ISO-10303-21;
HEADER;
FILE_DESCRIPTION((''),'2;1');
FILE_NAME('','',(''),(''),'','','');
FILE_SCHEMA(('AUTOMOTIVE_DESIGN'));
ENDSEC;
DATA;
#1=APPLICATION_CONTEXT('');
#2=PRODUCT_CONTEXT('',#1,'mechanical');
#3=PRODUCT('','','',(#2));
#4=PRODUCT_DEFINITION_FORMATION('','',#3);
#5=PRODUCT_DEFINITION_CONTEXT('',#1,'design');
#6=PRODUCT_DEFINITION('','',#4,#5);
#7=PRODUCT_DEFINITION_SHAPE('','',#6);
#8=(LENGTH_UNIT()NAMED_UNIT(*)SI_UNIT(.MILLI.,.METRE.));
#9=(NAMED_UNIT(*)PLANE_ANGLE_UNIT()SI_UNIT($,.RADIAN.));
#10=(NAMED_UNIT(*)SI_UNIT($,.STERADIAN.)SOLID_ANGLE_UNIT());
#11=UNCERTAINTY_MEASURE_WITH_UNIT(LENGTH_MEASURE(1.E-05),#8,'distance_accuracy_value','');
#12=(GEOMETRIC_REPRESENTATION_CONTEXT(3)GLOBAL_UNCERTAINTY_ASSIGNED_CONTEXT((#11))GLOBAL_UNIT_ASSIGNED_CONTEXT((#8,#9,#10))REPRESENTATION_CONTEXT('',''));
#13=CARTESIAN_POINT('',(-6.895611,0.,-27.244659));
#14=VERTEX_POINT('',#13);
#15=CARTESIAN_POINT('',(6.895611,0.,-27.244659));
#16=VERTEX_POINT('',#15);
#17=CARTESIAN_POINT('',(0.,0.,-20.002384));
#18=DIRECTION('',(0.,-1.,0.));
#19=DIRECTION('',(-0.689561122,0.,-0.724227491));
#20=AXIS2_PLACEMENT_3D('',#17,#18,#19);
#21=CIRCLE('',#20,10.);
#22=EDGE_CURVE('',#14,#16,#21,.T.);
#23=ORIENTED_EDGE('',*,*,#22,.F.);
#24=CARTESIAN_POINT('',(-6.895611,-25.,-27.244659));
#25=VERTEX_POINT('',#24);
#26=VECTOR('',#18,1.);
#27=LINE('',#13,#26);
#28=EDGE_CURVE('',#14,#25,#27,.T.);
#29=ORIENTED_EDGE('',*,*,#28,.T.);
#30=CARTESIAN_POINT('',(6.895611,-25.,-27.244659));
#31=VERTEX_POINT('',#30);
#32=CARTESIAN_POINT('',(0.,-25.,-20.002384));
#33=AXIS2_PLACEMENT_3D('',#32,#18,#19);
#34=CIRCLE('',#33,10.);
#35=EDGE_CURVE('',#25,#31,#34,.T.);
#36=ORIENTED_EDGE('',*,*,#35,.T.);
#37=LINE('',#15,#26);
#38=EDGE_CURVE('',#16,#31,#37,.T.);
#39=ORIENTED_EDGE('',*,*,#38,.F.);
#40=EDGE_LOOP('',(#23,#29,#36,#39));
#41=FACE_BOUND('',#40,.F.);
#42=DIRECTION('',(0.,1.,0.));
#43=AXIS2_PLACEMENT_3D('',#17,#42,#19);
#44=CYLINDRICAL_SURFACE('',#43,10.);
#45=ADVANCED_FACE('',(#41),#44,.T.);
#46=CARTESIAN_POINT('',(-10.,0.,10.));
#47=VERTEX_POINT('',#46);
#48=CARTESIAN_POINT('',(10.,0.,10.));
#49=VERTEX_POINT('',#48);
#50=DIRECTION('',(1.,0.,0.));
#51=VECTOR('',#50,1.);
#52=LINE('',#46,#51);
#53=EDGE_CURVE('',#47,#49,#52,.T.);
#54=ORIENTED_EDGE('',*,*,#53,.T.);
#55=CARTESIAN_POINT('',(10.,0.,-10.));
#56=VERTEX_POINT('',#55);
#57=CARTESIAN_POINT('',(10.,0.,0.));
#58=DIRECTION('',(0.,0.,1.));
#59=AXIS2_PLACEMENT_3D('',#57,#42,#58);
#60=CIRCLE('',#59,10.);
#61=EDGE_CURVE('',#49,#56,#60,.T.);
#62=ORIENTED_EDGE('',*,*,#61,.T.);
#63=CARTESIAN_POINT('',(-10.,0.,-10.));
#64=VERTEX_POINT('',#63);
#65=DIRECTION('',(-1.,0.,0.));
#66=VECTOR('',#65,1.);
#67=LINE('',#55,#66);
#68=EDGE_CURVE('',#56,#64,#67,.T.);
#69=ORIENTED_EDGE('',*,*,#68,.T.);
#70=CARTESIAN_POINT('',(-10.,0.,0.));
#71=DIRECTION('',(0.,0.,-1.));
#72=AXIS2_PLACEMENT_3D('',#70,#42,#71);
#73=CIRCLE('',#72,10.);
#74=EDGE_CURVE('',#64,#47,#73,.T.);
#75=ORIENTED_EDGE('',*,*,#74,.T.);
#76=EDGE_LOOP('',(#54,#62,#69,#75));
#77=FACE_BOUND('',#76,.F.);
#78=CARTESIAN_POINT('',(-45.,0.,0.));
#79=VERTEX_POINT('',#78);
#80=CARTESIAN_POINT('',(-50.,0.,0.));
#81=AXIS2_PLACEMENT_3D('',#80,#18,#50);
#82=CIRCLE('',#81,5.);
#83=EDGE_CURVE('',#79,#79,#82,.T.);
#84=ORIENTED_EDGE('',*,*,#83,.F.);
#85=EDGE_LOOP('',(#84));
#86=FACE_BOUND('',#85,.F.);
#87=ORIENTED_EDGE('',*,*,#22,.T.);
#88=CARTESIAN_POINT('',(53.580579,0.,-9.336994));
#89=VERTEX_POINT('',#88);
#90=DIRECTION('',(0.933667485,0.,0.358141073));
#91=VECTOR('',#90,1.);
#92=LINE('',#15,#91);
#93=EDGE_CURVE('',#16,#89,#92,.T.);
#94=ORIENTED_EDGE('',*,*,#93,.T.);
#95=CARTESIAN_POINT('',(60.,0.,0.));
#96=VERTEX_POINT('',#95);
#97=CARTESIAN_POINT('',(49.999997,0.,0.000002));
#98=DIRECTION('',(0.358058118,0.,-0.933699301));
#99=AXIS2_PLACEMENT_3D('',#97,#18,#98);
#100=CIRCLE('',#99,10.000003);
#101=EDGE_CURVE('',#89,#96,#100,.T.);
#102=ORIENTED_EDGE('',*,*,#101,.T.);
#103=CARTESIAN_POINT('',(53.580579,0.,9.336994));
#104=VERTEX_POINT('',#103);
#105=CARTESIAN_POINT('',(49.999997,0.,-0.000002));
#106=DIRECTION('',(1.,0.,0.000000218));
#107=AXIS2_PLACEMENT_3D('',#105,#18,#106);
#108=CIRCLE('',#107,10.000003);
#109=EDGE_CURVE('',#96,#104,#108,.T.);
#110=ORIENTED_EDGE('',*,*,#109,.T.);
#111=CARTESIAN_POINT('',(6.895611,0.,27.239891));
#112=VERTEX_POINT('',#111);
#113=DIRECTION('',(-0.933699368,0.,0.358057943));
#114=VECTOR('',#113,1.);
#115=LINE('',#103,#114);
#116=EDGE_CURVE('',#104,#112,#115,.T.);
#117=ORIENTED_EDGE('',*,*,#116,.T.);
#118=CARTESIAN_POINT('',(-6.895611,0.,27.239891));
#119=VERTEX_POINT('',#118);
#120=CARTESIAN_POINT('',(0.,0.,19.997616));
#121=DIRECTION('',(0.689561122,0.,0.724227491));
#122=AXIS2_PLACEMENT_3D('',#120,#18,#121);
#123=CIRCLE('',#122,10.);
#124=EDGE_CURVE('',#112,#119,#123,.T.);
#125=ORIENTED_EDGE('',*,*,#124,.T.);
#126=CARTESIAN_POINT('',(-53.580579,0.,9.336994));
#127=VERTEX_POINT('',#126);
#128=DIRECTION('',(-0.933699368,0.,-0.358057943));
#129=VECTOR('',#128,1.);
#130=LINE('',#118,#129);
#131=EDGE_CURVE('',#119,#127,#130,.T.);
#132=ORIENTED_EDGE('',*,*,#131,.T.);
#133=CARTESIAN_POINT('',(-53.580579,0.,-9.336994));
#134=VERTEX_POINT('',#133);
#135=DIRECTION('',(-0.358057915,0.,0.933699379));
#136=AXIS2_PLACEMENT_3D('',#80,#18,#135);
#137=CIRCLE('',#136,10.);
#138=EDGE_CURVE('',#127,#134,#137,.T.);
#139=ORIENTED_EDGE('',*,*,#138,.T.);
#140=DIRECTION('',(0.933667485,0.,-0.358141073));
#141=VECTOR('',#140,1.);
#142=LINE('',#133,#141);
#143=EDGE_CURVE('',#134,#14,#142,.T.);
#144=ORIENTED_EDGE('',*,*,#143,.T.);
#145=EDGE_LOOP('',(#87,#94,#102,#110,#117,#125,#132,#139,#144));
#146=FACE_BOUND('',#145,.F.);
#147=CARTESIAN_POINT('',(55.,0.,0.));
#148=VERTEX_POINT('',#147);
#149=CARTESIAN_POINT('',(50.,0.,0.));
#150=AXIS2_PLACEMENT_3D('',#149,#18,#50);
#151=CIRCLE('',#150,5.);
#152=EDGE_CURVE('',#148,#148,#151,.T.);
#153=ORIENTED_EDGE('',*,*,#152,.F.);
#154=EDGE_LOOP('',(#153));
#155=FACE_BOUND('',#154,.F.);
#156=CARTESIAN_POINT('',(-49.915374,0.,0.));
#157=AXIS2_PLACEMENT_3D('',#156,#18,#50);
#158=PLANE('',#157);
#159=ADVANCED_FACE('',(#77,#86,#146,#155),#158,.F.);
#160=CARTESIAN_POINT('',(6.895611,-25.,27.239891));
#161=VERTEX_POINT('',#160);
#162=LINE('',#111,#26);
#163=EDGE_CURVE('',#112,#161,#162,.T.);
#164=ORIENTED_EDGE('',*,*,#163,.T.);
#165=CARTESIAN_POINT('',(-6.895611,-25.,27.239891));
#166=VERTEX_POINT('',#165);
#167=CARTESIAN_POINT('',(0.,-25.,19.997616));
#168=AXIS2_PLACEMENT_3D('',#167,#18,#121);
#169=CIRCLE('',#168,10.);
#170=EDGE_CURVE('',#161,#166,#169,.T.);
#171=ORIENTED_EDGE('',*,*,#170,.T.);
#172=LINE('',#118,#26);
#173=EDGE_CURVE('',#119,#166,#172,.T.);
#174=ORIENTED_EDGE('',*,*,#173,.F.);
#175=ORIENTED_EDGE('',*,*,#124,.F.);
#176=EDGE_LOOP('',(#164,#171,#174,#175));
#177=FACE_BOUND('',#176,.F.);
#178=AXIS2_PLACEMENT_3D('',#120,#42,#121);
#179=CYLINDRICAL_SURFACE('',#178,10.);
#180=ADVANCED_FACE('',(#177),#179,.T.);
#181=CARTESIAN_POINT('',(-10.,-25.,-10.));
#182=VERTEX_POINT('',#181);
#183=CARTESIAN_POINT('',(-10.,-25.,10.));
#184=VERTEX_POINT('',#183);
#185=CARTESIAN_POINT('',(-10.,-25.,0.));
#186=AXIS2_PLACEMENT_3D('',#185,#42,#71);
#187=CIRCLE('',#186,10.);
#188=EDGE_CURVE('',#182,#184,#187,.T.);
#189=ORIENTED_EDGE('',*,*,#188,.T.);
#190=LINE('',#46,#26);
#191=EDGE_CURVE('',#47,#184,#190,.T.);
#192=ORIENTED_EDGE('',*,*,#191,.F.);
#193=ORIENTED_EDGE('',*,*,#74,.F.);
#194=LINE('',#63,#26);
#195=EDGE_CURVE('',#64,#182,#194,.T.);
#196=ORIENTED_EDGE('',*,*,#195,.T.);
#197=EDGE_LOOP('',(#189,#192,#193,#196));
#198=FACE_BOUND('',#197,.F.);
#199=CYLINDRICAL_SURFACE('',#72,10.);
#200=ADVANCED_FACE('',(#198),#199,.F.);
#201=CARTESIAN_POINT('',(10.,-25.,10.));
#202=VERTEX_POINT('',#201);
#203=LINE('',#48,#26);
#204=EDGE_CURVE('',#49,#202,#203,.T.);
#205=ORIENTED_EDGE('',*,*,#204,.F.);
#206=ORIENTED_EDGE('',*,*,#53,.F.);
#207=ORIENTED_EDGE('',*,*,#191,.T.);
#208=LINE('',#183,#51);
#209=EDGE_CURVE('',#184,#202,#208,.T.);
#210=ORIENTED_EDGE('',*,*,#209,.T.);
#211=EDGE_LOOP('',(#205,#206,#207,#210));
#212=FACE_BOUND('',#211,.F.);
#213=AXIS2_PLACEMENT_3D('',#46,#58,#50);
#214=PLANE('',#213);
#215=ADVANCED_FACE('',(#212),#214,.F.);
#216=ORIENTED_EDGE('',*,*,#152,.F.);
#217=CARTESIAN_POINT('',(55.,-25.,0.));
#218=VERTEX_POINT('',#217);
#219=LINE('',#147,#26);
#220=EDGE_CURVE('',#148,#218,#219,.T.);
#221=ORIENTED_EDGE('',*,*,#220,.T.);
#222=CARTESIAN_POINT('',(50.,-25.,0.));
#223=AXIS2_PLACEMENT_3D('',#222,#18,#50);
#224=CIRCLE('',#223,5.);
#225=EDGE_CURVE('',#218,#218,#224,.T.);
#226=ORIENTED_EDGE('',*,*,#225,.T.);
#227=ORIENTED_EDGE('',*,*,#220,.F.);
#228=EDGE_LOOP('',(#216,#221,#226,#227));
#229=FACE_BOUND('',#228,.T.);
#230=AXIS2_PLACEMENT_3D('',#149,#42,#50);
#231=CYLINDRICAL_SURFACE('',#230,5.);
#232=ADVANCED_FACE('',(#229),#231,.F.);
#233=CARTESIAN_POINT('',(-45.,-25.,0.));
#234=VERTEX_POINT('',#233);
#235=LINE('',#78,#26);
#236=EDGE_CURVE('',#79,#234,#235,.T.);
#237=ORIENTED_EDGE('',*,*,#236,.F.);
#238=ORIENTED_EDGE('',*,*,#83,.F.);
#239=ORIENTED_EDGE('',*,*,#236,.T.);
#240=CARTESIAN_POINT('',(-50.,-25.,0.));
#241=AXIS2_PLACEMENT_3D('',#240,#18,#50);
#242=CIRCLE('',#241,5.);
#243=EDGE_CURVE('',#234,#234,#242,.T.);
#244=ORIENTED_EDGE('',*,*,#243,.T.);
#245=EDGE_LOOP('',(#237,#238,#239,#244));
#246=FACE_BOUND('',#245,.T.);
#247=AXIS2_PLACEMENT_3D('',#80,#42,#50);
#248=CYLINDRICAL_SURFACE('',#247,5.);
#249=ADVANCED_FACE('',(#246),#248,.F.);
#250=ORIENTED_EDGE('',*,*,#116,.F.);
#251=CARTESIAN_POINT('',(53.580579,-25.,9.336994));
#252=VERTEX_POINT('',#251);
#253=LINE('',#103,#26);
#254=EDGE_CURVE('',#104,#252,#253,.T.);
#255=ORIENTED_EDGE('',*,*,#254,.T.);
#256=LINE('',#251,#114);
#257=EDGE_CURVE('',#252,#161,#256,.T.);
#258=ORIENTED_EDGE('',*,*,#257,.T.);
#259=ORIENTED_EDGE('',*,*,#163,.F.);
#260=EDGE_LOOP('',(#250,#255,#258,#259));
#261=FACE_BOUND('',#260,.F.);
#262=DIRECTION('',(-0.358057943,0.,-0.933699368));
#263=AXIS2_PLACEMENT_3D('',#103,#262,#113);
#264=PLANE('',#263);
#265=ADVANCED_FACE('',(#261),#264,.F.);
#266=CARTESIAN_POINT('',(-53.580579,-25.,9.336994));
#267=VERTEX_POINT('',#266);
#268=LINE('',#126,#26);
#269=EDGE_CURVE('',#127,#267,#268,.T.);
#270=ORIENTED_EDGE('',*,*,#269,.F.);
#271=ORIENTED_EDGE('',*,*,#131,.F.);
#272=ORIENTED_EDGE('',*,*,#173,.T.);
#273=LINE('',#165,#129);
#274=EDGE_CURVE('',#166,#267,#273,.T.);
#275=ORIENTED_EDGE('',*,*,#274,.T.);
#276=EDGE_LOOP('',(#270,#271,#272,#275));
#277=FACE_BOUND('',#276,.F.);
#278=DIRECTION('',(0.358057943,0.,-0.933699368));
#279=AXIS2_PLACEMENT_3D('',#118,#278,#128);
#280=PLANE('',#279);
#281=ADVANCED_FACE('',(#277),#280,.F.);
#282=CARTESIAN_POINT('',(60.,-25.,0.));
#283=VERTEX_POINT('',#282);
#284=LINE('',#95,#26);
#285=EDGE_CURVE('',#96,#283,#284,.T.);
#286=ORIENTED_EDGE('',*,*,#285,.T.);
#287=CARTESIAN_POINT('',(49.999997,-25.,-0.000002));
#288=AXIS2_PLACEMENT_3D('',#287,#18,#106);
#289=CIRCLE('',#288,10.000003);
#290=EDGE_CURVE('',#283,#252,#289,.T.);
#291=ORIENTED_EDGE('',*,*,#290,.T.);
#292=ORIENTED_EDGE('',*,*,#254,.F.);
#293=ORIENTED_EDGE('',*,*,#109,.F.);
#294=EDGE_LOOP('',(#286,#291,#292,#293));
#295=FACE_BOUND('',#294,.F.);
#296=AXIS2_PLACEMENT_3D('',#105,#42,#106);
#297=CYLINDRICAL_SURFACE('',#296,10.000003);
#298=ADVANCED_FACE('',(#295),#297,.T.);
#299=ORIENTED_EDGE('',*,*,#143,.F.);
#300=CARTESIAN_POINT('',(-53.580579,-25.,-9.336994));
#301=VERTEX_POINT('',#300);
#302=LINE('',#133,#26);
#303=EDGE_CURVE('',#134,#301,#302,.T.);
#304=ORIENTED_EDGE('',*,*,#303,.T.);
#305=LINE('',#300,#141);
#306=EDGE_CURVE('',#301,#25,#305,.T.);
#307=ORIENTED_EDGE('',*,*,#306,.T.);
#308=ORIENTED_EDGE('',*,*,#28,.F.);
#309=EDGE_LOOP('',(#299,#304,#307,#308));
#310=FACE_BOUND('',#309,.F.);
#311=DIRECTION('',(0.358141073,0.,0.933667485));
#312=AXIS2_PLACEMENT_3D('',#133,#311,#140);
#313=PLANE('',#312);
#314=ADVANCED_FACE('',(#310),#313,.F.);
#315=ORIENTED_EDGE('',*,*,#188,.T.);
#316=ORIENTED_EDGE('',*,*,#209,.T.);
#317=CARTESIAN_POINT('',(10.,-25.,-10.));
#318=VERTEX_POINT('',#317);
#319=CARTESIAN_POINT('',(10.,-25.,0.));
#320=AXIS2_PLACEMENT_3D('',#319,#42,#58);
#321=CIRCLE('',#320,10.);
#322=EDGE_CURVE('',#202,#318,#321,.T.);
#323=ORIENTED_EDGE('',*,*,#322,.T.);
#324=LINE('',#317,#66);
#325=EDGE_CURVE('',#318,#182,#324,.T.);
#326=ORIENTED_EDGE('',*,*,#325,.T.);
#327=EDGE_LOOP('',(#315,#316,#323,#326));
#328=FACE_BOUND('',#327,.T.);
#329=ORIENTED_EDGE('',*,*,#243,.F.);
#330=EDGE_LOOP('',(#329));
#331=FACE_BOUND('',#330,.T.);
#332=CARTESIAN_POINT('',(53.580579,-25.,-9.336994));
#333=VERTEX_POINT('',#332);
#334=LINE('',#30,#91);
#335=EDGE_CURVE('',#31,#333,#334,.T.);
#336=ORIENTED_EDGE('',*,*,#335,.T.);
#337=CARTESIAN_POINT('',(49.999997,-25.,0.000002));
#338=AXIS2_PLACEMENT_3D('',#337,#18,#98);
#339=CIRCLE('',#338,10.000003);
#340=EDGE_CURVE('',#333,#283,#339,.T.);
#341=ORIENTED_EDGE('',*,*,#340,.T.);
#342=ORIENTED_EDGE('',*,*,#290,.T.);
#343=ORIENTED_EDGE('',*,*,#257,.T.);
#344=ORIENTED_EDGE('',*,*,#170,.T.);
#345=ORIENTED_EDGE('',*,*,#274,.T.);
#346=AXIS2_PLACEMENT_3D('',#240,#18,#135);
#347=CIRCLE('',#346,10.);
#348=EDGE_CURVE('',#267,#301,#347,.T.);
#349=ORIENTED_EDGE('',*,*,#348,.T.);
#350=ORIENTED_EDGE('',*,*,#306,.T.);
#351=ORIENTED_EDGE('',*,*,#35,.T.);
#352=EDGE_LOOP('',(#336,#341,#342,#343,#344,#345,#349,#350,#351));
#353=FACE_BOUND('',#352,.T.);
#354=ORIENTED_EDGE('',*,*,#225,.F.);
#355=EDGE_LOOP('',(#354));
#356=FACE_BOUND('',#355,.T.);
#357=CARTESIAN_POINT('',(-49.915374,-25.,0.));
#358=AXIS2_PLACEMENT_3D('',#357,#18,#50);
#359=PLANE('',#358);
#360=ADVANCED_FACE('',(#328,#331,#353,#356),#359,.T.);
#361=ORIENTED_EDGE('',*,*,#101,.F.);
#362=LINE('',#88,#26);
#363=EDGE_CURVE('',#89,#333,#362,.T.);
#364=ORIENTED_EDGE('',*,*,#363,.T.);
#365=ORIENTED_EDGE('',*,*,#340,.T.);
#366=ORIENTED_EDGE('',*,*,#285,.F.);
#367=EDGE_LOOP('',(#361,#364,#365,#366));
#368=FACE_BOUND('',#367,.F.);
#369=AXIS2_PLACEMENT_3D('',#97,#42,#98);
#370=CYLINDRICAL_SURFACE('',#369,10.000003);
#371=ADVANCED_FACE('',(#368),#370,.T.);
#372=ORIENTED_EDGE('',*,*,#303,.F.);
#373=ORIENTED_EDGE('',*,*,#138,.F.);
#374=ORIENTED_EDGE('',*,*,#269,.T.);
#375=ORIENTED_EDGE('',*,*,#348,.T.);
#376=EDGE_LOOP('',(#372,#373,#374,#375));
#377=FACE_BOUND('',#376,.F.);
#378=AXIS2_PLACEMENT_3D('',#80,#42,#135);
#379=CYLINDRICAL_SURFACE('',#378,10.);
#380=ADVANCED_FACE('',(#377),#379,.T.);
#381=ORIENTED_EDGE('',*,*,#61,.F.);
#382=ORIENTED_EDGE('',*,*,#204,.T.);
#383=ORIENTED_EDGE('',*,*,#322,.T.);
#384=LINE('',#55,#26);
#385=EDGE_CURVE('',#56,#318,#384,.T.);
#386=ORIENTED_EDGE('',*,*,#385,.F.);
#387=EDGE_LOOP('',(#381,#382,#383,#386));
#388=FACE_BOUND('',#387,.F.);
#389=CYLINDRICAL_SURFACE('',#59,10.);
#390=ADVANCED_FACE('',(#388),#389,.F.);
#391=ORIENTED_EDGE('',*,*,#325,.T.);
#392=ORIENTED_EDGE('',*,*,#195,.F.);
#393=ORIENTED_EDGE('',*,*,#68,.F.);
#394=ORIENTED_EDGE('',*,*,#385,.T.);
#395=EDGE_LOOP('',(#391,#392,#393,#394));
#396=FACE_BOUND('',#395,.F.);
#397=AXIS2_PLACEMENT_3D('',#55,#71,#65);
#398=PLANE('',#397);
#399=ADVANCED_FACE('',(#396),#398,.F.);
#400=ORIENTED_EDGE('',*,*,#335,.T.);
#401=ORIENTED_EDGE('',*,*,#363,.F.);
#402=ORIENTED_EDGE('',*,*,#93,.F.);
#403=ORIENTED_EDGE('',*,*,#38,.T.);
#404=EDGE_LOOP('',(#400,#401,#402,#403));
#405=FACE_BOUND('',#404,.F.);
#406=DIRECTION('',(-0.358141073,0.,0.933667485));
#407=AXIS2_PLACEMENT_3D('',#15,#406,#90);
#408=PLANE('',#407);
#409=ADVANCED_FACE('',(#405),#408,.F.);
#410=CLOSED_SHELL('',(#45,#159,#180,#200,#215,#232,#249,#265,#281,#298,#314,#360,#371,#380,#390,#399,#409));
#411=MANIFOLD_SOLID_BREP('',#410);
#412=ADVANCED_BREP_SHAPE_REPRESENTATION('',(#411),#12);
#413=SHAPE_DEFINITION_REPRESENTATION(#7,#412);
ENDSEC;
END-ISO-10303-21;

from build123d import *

# Parameters (mm, degrees)
F0_R     = 5
F1_DEPTH = 25


with BuildPart() as f1:
    # F0 (on Front) → F1 (new body)
    with BuildSketch(Plane.XZ):
        with BuildLine():
            ThreePointArc((-53.580579, -9.336994), (-44.33457, -8.240321), (-40, 0))
            ThreePointArc((-40, 0), (-44.33457, 8.240321), (-53.580579, 9.336994))
            ThreePointArc((-53.580579, 9.336994), (-60, 0), (-53.580579, -9.336994))
        make_face()
        with Locations((-50, 0)):
            Circle(F0_R, mode=Mode.SUBTRACT)
        with BuildLine():
            ThreePointArc((-53.580579, 9.336994), (-44.33457, 8.240321), (-40, 0))
            ThreePointArc((-40, 0), (-44.33457, -8.240321), (-53.580579, -9.336994))
            Line((-53.580579, -9.336994), (-6.895611, -27.244659))
            ThreePointArc((-6.895611, -27.244659), (0, -30.002384), (6.895611, -27.244659))
            Line((6.895611, -27.244659), (53.580579, -9.336994))
            ThreePointArc((53.580579, -9.336994), (40, 0), (53.580579, 9.336994))
            Line((53.580579, 9.336994), (6.895611, 27.239891))
            ThreePointArc((6.895611, 27.239891), (0, 29.997616), (-6.895611, 27.239891))
            Line((-6.895611, 27.239891), (-53.580579, 9.336994))
        make_face()
        with BuildLine():
            Line((0.218334, 10), (10, 10))
            ThreePointArc((10, 10), (20, 0), (10, -10))
            Line((10, -10), (-10, -10))
            ThreePointArc((-10, -10), (-20, 0), (-10, 10))
            Line((-10, 10), (-0.218334, 10))
            Line((-0.218334, 10), (0.218334, 10))
        make_face(mode=Mode.SUBTRACT)
        with BuildLine():
            ThreePointArc((60, 0), (58.240321, 5.66543), (53.580579, 9.336994))
            ThreePointArc((53.580579, 9.336994), (40, 0), (53.580579, -9.336994))
            ThreePointArc((53.580579, -9.336994), (58.240321, -5.66543), (60, 0))
        make_face()
        with Locations((50, 0)):
            Circle(F0_R, mode=Mode.SUBTRACT)
    extrude(amount=F1_DEPTH)


solid = f1.part
